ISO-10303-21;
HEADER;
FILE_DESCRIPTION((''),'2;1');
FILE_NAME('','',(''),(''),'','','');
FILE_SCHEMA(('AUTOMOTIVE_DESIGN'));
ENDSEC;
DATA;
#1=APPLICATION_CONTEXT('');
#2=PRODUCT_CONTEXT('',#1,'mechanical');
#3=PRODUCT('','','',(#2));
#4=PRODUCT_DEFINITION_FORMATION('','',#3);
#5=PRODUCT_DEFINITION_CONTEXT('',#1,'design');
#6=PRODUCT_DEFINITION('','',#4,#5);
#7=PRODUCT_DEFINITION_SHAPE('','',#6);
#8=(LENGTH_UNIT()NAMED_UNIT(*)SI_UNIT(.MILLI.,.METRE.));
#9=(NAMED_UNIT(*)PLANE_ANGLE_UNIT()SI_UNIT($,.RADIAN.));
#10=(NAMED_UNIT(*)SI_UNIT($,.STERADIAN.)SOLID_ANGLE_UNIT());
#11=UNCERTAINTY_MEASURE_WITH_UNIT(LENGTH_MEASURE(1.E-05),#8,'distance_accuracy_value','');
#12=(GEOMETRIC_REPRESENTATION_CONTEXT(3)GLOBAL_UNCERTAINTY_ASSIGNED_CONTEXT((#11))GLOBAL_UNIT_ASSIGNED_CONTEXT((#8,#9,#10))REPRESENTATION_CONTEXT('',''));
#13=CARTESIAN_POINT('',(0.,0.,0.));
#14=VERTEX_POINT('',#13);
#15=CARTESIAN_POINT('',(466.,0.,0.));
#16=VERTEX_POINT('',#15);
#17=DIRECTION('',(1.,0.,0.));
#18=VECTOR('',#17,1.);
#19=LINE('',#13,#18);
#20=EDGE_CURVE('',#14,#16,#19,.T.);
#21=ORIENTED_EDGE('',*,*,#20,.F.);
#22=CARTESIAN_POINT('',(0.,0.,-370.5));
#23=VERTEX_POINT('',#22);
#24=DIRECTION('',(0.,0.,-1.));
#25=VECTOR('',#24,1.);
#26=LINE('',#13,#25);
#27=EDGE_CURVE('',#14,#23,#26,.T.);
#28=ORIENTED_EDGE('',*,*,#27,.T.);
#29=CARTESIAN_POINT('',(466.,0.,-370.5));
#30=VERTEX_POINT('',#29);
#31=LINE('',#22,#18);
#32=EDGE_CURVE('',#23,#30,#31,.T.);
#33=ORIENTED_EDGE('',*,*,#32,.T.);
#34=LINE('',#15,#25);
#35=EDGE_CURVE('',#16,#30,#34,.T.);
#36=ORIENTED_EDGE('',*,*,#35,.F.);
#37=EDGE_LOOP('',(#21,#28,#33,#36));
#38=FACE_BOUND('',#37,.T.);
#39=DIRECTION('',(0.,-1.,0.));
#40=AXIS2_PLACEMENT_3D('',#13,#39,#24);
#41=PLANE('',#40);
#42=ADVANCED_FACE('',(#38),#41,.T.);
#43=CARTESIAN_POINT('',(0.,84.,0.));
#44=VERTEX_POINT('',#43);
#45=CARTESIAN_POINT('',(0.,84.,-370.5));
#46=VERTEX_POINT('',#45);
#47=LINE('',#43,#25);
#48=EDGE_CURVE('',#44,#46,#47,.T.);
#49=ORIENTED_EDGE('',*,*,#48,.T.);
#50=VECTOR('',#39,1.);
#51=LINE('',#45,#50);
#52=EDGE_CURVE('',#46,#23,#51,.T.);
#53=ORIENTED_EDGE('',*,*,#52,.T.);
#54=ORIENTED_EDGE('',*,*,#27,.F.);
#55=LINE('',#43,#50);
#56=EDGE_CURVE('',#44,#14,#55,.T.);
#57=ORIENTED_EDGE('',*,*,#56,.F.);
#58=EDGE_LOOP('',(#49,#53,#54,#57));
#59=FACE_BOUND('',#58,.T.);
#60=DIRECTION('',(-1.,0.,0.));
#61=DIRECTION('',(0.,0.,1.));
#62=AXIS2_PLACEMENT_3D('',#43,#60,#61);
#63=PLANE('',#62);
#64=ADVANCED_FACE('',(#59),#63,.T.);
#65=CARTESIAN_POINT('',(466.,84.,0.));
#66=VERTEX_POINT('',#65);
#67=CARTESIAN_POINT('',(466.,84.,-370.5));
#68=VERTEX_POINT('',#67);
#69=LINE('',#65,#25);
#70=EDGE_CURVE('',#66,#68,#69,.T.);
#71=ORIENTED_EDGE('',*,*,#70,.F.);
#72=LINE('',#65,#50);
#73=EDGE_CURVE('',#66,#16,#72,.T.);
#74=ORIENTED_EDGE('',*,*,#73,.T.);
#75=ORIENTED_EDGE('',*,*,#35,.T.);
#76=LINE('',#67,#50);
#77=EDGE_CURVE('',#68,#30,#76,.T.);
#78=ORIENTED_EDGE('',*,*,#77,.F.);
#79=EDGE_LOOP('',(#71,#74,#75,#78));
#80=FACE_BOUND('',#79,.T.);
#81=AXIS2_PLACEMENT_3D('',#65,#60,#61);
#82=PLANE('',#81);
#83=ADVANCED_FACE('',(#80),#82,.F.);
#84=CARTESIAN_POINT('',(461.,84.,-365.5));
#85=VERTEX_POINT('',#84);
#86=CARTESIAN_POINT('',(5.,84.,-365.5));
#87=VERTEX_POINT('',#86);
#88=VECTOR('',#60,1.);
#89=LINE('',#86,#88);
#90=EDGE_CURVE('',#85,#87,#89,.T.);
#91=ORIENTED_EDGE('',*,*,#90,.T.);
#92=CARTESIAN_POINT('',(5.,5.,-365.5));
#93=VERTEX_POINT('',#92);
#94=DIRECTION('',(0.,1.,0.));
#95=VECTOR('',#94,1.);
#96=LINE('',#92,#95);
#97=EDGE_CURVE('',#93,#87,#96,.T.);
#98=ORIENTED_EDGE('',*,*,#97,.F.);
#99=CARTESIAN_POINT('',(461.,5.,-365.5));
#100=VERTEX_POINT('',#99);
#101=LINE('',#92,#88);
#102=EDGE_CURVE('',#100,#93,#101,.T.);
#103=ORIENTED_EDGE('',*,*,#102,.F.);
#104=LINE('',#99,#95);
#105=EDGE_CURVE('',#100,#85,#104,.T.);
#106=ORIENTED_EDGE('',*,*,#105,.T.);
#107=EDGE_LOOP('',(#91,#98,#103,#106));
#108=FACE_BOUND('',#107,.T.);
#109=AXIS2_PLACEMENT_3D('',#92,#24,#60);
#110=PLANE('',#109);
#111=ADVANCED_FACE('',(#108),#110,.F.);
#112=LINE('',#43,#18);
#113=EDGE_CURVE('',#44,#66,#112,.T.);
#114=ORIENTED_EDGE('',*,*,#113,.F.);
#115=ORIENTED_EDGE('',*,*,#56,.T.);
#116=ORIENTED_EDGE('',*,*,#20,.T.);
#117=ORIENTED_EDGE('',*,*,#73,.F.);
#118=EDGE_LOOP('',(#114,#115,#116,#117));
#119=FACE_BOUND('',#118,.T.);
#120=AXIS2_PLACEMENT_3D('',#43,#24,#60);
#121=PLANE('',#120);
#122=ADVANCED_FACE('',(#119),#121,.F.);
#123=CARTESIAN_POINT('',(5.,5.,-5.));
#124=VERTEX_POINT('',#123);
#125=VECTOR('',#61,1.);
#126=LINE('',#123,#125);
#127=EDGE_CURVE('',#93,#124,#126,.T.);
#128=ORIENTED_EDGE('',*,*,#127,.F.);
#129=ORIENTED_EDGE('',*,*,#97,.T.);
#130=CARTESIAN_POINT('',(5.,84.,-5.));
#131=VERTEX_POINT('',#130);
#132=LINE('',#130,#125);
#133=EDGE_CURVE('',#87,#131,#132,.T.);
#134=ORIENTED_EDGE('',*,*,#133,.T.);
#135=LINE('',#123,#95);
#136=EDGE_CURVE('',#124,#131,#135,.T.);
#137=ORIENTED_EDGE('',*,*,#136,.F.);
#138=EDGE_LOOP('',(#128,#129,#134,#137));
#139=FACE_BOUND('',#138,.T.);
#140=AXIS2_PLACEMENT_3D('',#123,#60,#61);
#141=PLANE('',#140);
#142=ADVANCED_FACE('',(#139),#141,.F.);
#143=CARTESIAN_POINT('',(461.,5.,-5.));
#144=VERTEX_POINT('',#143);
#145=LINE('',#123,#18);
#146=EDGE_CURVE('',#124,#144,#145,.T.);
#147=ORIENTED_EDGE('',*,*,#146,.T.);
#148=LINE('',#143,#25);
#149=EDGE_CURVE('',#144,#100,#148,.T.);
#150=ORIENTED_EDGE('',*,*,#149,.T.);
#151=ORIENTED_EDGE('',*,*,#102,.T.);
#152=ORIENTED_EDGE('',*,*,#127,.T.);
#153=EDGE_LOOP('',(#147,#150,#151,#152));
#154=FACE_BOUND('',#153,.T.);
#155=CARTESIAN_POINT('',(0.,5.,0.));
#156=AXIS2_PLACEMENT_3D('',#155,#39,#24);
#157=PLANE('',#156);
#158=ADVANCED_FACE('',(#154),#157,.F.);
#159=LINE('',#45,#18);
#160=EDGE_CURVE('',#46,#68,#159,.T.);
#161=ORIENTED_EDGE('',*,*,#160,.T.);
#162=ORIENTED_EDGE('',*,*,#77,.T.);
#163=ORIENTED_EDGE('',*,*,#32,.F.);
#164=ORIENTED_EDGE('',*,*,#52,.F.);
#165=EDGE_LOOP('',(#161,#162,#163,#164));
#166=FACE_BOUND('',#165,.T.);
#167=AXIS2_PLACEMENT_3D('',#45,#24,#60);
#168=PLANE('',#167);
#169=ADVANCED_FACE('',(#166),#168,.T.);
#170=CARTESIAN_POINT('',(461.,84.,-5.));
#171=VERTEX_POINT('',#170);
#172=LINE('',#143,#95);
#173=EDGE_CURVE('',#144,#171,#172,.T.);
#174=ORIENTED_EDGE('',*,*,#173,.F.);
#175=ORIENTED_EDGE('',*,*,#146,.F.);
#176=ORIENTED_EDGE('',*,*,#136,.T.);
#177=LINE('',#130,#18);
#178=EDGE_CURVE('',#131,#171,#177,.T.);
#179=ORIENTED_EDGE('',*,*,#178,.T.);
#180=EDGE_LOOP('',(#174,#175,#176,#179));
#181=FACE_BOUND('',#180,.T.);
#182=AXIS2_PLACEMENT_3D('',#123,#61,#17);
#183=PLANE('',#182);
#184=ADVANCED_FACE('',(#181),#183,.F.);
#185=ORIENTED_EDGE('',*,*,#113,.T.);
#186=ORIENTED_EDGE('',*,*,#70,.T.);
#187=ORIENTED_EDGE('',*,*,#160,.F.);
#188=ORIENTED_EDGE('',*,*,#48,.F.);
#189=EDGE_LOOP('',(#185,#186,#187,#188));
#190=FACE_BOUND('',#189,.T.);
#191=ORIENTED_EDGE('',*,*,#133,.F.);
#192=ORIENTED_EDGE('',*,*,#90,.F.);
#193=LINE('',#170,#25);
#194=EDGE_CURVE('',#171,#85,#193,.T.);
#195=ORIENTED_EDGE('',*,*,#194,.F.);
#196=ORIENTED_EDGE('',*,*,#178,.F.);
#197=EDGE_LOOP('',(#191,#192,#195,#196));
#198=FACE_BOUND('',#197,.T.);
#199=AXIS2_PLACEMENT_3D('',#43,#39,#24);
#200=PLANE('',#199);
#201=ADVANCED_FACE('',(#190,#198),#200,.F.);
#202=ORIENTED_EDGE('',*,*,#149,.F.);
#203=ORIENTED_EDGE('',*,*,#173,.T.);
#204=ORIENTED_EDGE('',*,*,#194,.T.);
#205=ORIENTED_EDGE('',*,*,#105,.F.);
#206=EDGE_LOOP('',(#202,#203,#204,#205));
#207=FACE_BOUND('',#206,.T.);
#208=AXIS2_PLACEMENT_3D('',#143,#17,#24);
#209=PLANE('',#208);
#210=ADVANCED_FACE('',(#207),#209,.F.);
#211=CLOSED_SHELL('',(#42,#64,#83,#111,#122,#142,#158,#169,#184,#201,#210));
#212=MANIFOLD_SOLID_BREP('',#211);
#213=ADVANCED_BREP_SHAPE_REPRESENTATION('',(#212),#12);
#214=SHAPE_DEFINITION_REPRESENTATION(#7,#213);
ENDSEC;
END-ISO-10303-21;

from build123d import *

# Parameters (mm, degrees)
SKETCH1_W           = 466
SKETCH1_H           = 370.5
BOSS_EXTRUDE1_DEPTH = 84
SKETCH2_W           = 456
SKETCH2_H           = 360.5
CUT_EXTRUDE1_DEPTH  = 79


with BuildPart() as part:
    # Sketch1 → Boss-Extrude1 (new body)
    with BuildSketch(Plane(origin=(0, 0, 0), x_dir=(1, 0, 0), z_dir=(0, 1, 0))):
        with Locations((233, 185.25)):
            Rectangle(SKETCH1_W, SKETCH1_H)
    extrude(amount=BOSS_EXTRUDE1_DEPTH)

    # Sketch2 → Cut-Extrude1 (cut)
    with BuildSketch(Plane(origin=(0, 84, 0), x_dir=(1, 0, 0), z_dir=(0, 1, 0))):
        with Locations((233, 185.25)):
            Rectangle(SKETCH2_W, SKETCH2_H)
    extrude(amount=-CUT_EXTRUDE1_DEPTH, mode=Mode.SUBTRACT)


solid = part.part
